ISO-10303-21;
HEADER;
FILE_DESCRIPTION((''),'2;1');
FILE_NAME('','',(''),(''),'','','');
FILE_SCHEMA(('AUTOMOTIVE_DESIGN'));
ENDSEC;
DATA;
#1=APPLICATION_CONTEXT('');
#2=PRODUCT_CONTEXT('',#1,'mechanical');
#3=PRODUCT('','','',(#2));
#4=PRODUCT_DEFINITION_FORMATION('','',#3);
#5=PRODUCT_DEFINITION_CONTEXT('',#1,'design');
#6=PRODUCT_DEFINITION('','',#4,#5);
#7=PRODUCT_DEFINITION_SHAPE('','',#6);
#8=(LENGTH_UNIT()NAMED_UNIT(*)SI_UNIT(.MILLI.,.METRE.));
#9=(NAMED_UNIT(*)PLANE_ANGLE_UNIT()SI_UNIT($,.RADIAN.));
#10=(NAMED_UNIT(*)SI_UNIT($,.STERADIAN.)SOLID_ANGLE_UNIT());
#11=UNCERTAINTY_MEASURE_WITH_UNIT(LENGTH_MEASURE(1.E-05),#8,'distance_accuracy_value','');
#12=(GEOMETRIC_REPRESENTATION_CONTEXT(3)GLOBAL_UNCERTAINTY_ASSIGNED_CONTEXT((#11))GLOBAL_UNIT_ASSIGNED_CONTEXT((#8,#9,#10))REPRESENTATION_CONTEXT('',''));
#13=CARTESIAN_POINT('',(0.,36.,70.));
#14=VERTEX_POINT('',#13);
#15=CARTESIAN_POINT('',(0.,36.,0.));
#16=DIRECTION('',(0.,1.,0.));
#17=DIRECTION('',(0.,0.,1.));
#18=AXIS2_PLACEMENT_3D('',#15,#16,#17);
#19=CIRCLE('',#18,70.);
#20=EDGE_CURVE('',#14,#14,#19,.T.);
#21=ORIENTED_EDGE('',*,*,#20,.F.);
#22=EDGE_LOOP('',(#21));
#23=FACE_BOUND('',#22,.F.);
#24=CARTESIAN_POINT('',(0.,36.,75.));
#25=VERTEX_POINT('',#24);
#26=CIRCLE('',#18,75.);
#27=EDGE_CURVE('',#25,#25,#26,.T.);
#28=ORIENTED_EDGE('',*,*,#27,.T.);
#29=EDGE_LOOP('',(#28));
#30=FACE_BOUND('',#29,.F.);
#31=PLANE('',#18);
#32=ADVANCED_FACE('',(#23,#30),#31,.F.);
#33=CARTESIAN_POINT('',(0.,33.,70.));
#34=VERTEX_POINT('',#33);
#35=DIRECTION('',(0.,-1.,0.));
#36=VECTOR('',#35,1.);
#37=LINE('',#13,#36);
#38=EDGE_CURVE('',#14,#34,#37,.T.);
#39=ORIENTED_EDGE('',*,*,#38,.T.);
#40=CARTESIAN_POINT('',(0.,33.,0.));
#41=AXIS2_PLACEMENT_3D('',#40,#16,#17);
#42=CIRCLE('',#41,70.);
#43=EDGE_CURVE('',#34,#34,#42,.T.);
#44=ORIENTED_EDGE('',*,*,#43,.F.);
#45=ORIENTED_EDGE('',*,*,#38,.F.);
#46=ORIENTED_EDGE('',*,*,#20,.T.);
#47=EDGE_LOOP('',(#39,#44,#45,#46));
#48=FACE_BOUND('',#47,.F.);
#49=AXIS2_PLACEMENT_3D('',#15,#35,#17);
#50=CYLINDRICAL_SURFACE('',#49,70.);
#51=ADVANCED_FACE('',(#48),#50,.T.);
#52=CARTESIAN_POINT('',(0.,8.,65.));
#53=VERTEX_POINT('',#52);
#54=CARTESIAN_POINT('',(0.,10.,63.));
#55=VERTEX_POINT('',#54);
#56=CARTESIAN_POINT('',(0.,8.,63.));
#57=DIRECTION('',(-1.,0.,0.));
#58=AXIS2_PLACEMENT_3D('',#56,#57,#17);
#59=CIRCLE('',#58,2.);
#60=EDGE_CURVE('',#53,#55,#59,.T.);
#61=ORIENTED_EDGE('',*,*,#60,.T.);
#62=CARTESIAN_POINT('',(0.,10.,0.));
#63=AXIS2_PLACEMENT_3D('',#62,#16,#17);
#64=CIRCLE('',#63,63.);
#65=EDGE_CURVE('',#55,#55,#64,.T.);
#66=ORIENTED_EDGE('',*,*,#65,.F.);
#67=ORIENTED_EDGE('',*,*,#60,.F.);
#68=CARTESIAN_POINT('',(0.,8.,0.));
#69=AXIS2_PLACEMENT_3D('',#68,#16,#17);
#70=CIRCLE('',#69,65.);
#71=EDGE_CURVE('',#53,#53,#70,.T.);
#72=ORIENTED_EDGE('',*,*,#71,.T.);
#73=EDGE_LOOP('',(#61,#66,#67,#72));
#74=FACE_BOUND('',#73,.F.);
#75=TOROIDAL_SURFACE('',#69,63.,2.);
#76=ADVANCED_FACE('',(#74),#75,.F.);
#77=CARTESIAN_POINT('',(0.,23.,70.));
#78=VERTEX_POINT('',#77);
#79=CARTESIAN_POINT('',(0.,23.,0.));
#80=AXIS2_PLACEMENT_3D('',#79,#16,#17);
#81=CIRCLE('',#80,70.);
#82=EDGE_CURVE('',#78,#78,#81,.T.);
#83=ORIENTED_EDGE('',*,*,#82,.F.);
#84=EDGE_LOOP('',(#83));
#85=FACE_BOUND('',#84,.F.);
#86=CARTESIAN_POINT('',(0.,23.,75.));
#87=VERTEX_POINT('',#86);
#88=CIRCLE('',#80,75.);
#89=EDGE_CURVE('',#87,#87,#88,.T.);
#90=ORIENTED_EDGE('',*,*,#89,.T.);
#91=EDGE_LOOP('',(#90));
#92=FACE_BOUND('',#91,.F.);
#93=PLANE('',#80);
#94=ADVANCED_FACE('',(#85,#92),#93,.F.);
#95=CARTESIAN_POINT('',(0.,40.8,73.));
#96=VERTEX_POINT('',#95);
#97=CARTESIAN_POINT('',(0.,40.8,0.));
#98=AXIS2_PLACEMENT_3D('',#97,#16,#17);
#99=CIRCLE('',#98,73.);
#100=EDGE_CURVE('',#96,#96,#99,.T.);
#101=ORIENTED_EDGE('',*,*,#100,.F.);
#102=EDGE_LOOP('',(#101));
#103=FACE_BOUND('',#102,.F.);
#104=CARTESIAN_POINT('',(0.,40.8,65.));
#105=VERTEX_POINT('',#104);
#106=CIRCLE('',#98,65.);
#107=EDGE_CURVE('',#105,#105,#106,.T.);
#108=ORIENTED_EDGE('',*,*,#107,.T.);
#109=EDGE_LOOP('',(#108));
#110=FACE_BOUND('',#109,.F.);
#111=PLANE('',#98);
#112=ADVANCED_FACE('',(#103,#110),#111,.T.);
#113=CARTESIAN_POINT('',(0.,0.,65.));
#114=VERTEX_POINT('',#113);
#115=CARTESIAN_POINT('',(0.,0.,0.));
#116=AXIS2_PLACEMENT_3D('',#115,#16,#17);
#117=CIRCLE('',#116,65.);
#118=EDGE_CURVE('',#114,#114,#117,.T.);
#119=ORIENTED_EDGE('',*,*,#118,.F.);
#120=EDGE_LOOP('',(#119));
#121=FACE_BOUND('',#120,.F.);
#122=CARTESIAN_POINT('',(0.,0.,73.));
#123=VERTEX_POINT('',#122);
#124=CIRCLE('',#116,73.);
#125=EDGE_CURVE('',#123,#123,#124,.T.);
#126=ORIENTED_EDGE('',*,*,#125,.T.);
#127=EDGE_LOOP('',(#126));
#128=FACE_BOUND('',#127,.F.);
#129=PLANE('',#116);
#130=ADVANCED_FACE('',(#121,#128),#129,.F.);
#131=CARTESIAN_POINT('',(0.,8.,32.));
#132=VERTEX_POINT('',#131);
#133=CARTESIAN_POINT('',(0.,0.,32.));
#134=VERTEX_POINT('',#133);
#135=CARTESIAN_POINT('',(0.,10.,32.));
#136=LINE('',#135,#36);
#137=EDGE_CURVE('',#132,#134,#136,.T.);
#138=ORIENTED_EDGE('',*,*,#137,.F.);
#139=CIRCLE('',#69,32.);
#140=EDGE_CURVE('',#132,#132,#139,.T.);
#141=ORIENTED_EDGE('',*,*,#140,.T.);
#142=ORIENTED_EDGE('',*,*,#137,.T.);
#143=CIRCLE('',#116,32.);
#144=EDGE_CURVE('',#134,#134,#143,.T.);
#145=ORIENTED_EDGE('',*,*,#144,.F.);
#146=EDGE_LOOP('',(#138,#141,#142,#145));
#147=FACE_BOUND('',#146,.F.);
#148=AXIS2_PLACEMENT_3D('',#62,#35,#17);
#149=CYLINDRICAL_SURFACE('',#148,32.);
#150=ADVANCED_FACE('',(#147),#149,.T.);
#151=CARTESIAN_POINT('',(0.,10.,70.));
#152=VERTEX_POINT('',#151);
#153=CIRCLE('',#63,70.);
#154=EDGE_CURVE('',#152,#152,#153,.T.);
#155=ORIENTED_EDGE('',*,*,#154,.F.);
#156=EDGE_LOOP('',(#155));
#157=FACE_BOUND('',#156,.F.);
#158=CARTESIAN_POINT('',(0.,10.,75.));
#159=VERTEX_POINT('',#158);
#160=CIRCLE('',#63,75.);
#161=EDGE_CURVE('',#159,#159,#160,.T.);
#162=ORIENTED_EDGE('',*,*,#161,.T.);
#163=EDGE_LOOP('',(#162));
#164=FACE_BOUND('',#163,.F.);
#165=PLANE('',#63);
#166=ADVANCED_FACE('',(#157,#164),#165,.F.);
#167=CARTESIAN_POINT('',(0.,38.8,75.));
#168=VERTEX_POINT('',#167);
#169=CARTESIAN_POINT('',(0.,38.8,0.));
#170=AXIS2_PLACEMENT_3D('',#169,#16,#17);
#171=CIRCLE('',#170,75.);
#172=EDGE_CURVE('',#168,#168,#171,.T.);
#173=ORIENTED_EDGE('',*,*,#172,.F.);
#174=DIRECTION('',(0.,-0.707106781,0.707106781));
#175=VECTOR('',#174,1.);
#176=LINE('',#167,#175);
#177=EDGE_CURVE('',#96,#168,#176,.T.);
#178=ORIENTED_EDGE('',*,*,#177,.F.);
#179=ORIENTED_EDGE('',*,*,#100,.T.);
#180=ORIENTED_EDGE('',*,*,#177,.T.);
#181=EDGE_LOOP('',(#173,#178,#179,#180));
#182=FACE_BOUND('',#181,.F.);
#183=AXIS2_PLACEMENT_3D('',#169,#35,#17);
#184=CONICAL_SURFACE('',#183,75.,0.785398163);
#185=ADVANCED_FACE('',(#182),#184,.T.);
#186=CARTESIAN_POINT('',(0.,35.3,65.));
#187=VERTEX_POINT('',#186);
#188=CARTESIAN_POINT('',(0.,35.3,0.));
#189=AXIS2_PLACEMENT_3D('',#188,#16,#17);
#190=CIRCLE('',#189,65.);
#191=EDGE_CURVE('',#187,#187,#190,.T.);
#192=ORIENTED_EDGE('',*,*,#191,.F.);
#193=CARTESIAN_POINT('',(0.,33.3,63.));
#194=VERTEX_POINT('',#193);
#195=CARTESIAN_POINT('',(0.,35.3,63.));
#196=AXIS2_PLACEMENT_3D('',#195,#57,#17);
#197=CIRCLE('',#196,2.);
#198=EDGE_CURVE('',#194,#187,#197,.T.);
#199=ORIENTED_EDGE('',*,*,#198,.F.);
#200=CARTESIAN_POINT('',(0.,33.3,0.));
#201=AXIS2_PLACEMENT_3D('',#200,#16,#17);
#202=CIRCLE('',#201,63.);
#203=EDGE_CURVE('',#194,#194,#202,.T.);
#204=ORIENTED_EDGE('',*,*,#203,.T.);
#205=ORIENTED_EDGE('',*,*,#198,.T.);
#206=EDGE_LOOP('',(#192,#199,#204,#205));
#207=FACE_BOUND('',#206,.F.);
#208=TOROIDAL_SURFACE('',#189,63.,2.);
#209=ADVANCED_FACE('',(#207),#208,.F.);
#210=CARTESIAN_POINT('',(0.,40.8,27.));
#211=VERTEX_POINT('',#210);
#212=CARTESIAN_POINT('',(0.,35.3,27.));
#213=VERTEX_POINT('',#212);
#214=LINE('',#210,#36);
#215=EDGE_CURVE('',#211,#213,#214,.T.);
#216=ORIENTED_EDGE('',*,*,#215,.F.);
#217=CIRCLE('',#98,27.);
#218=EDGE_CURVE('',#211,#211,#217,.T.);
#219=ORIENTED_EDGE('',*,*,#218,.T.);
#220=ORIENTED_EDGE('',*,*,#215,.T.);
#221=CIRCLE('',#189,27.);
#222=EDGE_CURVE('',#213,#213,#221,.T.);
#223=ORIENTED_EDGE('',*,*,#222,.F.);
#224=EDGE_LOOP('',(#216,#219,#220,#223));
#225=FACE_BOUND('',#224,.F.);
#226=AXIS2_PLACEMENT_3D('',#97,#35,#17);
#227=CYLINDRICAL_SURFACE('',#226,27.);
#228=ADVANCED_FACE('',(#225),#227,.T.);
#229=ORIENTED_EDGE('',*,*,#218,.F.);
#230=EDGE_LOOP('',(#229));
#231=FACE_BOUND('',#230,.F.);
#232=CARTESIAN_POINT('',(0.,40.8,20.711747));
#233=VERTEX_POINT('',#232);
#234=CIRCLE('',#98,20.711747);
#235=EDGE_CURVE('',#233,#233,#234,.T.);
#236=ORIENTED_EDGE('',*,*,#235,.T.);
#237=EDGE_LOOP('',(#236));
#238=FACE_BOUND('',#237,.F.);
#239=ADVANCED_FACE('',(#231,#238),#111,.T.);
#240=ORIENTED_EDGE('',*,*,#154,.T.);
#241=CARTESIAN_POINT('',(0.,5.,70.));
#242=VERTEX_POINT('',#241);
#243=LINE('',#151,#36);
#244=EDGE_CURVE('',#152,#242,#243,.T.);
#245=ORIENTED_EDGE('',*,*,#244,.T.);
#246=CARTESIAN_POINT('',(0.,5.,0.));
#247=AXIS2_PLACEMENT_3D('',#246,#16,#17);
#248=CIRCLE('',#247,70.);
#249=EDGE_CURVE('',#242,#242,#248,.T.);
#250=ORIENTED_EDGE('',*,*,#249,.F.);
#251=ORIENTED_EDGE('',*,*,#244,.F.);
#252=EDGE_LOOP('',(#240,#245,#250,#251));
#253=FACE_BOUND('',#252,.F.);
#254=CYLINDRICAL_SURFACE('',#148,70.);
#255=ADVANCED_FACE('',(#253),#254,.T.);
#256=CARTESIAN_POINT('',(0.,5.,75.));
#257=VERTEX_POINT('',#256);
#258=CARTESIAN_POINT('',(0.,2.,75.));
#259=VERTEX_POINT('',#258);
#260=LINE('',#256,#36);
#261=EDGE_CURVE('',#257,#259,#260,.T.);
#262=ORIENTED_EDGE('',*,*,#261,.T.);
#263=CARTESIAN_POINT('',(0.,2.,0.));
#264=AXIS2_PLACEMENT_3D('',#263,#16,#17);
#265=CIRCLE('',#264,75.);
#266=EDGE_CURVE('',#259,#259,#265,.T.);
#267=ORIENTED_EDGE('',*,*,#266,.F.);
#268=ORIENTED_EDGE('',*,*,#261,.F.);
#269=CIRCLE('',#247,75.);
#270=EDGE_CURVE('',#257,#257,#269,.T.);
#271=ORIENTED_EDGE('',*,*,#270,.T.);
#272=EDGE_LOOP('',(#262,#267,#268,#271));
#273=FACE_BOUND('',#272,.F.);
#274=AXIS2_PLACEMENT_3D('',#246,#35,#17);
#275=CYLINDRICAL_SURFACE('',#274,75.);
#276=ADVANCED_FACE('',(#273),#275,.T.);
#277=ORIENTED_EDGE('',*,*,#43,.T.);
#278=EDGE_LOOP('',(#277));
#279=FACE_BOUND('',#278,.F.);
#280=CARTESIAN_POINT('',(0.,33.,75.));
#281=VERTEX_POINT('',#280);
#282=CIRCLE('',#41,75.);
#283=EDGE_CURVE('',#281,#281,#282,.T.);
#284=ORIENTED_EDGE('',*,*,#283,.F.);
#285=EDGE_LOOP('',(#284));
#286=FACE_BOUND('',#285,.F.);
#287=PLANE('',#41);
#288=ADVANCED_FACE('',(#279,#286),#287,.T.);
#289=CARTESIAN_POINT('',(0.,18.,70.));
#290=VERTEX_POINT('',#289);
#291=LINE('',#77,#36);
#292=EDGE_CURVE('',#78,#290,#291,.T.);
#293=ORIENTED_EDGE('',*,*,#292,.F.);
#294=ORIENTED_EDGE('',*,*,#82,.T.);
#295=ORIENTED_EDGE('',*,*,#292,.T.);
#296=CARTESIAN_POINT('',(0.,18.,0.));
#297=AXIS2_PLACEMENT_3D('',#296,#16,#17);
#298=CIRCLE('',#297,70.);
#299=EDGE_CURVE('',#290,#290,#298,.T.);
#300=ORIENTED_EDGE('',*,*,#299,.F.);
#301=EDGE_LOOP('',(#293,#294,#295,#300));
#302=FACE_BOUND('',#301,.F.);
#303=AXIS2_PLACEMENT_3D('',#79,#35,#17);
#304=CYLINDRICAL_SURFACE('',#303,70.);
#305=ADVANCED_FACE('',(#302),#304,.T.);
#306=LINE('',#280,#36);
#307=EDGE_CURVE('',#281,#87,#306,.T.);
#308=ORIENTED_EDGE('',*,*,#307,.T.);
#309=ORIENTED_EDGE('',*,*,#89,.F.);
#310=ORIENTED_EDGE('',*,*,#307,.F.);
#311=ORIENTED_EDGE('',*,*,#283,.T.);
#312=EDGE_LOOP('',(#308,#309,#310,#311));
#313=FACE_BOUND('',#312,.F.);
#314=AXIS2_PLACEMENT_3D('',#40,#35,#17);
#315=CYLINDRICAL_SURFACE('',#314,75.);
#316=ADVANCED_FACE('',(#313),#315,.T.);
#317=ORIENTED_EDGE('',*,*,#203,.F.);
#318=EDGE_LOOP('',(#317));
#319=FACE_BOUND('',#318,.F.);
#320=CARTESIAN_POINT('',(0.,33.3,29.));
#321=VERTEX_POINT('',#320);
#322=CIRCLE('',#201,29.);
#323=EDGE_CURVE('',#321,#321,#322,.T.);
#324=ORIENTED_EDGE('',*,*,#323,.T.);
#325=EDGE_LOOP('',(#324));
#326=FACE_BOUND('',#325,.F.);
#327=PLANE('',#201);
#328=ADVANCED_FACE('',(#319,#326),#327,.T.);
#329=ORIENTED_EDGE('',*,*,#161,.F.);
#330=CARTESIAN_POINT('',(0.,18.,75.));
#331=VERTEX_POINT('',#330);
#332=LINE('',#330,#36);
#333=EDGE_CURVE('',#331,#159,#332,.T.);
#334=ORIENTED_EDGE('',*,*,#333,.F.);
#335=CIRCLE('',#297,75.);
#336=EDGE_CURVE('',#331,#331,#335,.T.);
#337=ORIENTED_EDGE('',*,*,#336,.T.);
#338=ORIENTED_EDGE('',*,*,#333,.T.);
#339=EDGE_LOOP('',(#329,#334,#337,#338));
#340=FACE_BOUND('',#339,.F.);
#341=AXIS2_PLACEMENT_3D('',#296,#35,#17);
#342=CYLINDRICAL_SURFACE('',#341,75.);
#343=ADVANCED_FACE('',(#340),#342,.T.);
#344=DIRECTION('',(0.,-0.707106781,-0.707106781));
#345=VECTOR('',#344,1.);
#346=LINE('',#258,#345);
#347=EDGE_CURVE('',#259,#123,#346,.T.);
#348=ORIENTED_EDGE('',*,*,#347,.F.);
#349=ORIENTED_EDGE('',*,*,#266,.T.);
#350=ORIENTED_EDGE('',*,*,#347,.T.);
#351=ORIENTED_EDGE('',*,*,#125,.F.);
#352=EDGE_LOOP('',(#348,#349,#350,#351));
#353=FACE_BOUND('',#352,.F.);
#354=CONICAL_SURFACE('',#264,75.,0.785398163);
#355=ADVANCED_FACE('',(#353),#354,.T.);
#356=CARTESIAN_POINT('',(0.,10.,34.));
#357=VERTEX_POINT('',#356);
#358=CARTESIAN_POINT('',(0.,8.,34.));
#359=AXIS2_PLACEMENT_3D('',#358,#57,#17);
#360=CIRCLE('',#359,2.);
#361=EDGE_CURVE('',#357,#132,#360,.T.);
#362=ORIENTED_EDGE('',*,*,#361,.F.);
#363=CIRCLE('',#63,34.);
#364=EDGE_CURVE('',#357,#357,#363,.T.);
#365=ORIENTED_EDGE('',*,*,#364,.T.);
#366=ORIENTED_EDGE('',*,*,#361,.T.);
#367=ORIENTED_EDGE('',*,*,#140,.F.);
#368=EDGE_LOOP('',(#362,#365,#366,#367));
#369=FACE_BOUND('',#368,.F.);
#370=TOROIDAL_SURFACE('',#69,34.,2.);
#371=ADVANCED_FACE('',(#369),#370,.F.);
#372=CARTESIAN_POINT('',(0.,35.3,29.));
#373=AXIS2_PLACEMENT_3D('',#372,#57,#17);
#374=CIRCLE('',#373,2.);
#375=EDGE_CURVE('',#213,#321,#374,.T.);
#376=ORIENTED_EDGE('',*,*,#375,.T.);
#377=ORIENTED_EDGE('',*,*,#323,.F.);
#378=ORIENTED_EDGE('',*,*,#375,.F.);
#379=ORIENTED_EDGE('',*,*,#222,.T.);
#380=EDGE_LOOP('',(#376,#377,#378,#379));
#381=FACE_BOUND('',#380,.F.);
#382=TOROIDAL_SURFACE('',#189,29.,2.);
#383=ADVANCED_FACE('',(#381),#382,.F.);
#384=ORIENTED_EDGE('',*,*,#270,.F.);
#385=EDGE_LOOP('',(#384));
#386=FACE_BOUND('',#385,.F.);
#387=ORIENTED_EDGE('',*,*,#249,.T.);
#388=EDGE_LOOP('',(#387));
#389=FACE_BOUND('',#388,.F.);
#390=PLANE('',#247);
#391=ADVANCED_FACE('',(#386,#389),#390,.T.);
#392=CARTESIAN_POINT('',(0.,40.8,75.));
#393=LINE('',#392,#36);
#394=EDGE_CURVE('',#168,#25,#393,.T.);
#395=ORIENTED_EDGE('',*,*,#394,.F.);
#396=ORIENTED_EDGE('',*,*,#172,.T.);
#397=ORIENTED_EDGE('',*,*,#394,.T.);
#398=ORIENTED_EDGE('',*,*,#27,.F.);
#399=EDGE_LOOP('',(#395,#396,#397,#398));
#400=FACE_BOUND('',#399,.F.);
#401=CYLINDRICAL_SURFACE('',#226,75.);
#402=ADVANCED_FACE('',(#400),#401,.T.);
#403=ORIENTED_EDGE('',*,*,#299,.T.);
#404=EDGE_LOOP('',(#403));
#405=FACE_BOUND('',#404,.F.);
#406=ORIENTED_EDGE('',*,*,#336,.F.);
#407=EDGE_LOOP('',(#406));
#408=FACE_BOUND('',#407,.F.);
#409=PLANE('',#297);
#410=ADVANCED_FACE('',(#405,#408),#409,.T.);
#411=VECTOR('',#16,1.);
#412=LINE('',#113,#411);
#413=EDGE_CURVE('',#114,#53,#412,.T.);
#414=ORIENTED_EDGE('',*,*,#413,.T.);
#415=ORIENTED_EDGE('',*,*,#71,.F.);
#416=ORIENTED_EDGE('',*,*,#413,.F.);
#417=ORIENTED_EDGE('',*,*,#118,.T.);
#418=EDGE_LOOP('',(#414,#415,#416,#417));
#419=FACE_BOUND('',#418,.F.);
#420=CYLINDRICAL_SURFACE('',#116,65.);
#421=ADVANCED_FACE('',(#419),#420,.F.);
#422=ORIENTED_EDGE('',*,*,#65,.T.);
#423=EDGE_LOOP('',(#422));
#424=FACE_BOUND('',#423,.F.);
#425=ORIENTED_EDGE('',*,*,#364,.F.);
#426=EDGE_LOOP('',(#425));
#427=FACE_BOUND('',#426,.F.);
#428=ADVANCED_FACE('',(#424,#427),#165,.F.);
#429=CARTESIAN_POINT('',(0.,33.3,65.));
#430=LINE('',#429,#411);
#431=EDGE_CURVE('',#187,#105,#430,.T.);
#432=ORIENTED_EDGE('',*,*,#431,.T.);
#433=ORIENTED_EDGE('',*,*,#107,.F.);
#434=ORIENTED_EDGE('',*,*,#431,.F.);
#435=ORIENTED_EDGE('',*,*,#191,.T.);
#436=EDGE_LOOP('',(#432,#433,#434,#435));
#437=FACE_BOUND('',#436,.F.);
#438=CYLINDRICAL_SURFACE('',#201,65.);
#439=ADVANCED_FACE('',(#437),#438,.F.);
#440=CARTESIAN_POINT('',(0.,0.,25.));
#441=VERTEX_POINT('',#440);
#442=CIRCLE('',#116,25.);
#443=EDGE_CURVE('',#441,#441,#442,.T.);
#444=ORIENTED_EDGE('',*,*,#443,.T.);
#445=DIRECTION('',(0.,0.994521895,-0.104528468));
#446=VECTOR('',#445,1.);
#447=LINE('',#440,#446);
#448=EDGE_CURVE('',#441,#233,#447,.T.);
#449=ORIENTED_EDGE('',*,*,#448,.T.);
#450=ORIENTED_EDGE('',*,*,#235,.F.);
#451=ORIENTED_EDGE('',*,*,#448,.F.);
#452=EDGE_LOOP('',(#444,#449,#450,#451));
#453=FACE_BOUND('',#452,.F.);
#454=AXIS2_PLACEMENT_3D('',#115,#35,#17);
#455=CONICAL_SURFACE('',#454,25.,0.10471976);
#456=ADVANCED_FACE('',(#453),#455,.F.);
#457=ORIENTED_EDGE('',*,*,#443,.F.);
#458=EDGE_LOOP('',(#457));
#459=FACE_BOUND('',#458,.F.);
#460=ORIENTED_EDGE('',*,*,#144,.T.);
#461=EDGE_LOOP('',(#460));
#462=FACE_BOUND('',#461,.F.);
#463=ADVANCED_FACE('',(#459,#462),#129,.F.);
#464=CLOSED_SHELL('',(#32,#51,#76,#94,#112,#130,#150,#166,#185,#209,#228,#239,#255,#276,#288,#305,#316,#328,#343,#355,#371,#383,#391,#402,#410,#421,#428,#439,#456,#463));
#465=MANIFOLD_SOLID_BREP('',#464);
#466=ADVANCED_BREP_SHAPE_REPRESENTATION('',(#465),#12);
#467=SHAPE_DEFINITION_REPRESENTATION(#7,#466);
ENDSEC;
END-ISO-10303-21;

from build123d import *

# Parameters (mm, degrees)
F2_SIZE2 = 2
F2_SIZE  = 2
F3_R     = 2


with BuildPart() as f1:
    # F0 (on Right) → F1 (revolve)
    with BuildSketch(Plane.YZ):
        Polygon((5, 75), (0, 75), (0, 65), (10, 65), (10, 32), (0, 32), (0, 25), (40.8, 20.711747), (40.8, 27), (33.3, 27), (33.3, 65), (40.8, 65), (40.8, 75), (36, 75), (36, 70), (33, 70), (33, 75), (23, 75), (23, 70), (18, 70), (18, 75), (10, 75), (10, 70), (5, 70), align=None)
    revolve(axis=Axis((0, 18.302675, 0), (0, 1, 0)))

    # F2
    f2_edges = [f1.edges().sort_by_distance(p)[0] for p in [
        (0, 40.8, -75),
        (0, 0, -75),
    ]]
    chamfer(f2_edges, length=F2_SIZE, length2=F2_SIZE2)

    # F3
    f3_edges = [f1.edges().sort_by_distance(p)[0] for p in [
        (0, 10, -65),
        (0, 33.3, -65),
        (0, 33.3, -27),
        (0, 10, -32),
    ]]
    fillet(f3_edges, radius=F3_R)


solid = f1.part
